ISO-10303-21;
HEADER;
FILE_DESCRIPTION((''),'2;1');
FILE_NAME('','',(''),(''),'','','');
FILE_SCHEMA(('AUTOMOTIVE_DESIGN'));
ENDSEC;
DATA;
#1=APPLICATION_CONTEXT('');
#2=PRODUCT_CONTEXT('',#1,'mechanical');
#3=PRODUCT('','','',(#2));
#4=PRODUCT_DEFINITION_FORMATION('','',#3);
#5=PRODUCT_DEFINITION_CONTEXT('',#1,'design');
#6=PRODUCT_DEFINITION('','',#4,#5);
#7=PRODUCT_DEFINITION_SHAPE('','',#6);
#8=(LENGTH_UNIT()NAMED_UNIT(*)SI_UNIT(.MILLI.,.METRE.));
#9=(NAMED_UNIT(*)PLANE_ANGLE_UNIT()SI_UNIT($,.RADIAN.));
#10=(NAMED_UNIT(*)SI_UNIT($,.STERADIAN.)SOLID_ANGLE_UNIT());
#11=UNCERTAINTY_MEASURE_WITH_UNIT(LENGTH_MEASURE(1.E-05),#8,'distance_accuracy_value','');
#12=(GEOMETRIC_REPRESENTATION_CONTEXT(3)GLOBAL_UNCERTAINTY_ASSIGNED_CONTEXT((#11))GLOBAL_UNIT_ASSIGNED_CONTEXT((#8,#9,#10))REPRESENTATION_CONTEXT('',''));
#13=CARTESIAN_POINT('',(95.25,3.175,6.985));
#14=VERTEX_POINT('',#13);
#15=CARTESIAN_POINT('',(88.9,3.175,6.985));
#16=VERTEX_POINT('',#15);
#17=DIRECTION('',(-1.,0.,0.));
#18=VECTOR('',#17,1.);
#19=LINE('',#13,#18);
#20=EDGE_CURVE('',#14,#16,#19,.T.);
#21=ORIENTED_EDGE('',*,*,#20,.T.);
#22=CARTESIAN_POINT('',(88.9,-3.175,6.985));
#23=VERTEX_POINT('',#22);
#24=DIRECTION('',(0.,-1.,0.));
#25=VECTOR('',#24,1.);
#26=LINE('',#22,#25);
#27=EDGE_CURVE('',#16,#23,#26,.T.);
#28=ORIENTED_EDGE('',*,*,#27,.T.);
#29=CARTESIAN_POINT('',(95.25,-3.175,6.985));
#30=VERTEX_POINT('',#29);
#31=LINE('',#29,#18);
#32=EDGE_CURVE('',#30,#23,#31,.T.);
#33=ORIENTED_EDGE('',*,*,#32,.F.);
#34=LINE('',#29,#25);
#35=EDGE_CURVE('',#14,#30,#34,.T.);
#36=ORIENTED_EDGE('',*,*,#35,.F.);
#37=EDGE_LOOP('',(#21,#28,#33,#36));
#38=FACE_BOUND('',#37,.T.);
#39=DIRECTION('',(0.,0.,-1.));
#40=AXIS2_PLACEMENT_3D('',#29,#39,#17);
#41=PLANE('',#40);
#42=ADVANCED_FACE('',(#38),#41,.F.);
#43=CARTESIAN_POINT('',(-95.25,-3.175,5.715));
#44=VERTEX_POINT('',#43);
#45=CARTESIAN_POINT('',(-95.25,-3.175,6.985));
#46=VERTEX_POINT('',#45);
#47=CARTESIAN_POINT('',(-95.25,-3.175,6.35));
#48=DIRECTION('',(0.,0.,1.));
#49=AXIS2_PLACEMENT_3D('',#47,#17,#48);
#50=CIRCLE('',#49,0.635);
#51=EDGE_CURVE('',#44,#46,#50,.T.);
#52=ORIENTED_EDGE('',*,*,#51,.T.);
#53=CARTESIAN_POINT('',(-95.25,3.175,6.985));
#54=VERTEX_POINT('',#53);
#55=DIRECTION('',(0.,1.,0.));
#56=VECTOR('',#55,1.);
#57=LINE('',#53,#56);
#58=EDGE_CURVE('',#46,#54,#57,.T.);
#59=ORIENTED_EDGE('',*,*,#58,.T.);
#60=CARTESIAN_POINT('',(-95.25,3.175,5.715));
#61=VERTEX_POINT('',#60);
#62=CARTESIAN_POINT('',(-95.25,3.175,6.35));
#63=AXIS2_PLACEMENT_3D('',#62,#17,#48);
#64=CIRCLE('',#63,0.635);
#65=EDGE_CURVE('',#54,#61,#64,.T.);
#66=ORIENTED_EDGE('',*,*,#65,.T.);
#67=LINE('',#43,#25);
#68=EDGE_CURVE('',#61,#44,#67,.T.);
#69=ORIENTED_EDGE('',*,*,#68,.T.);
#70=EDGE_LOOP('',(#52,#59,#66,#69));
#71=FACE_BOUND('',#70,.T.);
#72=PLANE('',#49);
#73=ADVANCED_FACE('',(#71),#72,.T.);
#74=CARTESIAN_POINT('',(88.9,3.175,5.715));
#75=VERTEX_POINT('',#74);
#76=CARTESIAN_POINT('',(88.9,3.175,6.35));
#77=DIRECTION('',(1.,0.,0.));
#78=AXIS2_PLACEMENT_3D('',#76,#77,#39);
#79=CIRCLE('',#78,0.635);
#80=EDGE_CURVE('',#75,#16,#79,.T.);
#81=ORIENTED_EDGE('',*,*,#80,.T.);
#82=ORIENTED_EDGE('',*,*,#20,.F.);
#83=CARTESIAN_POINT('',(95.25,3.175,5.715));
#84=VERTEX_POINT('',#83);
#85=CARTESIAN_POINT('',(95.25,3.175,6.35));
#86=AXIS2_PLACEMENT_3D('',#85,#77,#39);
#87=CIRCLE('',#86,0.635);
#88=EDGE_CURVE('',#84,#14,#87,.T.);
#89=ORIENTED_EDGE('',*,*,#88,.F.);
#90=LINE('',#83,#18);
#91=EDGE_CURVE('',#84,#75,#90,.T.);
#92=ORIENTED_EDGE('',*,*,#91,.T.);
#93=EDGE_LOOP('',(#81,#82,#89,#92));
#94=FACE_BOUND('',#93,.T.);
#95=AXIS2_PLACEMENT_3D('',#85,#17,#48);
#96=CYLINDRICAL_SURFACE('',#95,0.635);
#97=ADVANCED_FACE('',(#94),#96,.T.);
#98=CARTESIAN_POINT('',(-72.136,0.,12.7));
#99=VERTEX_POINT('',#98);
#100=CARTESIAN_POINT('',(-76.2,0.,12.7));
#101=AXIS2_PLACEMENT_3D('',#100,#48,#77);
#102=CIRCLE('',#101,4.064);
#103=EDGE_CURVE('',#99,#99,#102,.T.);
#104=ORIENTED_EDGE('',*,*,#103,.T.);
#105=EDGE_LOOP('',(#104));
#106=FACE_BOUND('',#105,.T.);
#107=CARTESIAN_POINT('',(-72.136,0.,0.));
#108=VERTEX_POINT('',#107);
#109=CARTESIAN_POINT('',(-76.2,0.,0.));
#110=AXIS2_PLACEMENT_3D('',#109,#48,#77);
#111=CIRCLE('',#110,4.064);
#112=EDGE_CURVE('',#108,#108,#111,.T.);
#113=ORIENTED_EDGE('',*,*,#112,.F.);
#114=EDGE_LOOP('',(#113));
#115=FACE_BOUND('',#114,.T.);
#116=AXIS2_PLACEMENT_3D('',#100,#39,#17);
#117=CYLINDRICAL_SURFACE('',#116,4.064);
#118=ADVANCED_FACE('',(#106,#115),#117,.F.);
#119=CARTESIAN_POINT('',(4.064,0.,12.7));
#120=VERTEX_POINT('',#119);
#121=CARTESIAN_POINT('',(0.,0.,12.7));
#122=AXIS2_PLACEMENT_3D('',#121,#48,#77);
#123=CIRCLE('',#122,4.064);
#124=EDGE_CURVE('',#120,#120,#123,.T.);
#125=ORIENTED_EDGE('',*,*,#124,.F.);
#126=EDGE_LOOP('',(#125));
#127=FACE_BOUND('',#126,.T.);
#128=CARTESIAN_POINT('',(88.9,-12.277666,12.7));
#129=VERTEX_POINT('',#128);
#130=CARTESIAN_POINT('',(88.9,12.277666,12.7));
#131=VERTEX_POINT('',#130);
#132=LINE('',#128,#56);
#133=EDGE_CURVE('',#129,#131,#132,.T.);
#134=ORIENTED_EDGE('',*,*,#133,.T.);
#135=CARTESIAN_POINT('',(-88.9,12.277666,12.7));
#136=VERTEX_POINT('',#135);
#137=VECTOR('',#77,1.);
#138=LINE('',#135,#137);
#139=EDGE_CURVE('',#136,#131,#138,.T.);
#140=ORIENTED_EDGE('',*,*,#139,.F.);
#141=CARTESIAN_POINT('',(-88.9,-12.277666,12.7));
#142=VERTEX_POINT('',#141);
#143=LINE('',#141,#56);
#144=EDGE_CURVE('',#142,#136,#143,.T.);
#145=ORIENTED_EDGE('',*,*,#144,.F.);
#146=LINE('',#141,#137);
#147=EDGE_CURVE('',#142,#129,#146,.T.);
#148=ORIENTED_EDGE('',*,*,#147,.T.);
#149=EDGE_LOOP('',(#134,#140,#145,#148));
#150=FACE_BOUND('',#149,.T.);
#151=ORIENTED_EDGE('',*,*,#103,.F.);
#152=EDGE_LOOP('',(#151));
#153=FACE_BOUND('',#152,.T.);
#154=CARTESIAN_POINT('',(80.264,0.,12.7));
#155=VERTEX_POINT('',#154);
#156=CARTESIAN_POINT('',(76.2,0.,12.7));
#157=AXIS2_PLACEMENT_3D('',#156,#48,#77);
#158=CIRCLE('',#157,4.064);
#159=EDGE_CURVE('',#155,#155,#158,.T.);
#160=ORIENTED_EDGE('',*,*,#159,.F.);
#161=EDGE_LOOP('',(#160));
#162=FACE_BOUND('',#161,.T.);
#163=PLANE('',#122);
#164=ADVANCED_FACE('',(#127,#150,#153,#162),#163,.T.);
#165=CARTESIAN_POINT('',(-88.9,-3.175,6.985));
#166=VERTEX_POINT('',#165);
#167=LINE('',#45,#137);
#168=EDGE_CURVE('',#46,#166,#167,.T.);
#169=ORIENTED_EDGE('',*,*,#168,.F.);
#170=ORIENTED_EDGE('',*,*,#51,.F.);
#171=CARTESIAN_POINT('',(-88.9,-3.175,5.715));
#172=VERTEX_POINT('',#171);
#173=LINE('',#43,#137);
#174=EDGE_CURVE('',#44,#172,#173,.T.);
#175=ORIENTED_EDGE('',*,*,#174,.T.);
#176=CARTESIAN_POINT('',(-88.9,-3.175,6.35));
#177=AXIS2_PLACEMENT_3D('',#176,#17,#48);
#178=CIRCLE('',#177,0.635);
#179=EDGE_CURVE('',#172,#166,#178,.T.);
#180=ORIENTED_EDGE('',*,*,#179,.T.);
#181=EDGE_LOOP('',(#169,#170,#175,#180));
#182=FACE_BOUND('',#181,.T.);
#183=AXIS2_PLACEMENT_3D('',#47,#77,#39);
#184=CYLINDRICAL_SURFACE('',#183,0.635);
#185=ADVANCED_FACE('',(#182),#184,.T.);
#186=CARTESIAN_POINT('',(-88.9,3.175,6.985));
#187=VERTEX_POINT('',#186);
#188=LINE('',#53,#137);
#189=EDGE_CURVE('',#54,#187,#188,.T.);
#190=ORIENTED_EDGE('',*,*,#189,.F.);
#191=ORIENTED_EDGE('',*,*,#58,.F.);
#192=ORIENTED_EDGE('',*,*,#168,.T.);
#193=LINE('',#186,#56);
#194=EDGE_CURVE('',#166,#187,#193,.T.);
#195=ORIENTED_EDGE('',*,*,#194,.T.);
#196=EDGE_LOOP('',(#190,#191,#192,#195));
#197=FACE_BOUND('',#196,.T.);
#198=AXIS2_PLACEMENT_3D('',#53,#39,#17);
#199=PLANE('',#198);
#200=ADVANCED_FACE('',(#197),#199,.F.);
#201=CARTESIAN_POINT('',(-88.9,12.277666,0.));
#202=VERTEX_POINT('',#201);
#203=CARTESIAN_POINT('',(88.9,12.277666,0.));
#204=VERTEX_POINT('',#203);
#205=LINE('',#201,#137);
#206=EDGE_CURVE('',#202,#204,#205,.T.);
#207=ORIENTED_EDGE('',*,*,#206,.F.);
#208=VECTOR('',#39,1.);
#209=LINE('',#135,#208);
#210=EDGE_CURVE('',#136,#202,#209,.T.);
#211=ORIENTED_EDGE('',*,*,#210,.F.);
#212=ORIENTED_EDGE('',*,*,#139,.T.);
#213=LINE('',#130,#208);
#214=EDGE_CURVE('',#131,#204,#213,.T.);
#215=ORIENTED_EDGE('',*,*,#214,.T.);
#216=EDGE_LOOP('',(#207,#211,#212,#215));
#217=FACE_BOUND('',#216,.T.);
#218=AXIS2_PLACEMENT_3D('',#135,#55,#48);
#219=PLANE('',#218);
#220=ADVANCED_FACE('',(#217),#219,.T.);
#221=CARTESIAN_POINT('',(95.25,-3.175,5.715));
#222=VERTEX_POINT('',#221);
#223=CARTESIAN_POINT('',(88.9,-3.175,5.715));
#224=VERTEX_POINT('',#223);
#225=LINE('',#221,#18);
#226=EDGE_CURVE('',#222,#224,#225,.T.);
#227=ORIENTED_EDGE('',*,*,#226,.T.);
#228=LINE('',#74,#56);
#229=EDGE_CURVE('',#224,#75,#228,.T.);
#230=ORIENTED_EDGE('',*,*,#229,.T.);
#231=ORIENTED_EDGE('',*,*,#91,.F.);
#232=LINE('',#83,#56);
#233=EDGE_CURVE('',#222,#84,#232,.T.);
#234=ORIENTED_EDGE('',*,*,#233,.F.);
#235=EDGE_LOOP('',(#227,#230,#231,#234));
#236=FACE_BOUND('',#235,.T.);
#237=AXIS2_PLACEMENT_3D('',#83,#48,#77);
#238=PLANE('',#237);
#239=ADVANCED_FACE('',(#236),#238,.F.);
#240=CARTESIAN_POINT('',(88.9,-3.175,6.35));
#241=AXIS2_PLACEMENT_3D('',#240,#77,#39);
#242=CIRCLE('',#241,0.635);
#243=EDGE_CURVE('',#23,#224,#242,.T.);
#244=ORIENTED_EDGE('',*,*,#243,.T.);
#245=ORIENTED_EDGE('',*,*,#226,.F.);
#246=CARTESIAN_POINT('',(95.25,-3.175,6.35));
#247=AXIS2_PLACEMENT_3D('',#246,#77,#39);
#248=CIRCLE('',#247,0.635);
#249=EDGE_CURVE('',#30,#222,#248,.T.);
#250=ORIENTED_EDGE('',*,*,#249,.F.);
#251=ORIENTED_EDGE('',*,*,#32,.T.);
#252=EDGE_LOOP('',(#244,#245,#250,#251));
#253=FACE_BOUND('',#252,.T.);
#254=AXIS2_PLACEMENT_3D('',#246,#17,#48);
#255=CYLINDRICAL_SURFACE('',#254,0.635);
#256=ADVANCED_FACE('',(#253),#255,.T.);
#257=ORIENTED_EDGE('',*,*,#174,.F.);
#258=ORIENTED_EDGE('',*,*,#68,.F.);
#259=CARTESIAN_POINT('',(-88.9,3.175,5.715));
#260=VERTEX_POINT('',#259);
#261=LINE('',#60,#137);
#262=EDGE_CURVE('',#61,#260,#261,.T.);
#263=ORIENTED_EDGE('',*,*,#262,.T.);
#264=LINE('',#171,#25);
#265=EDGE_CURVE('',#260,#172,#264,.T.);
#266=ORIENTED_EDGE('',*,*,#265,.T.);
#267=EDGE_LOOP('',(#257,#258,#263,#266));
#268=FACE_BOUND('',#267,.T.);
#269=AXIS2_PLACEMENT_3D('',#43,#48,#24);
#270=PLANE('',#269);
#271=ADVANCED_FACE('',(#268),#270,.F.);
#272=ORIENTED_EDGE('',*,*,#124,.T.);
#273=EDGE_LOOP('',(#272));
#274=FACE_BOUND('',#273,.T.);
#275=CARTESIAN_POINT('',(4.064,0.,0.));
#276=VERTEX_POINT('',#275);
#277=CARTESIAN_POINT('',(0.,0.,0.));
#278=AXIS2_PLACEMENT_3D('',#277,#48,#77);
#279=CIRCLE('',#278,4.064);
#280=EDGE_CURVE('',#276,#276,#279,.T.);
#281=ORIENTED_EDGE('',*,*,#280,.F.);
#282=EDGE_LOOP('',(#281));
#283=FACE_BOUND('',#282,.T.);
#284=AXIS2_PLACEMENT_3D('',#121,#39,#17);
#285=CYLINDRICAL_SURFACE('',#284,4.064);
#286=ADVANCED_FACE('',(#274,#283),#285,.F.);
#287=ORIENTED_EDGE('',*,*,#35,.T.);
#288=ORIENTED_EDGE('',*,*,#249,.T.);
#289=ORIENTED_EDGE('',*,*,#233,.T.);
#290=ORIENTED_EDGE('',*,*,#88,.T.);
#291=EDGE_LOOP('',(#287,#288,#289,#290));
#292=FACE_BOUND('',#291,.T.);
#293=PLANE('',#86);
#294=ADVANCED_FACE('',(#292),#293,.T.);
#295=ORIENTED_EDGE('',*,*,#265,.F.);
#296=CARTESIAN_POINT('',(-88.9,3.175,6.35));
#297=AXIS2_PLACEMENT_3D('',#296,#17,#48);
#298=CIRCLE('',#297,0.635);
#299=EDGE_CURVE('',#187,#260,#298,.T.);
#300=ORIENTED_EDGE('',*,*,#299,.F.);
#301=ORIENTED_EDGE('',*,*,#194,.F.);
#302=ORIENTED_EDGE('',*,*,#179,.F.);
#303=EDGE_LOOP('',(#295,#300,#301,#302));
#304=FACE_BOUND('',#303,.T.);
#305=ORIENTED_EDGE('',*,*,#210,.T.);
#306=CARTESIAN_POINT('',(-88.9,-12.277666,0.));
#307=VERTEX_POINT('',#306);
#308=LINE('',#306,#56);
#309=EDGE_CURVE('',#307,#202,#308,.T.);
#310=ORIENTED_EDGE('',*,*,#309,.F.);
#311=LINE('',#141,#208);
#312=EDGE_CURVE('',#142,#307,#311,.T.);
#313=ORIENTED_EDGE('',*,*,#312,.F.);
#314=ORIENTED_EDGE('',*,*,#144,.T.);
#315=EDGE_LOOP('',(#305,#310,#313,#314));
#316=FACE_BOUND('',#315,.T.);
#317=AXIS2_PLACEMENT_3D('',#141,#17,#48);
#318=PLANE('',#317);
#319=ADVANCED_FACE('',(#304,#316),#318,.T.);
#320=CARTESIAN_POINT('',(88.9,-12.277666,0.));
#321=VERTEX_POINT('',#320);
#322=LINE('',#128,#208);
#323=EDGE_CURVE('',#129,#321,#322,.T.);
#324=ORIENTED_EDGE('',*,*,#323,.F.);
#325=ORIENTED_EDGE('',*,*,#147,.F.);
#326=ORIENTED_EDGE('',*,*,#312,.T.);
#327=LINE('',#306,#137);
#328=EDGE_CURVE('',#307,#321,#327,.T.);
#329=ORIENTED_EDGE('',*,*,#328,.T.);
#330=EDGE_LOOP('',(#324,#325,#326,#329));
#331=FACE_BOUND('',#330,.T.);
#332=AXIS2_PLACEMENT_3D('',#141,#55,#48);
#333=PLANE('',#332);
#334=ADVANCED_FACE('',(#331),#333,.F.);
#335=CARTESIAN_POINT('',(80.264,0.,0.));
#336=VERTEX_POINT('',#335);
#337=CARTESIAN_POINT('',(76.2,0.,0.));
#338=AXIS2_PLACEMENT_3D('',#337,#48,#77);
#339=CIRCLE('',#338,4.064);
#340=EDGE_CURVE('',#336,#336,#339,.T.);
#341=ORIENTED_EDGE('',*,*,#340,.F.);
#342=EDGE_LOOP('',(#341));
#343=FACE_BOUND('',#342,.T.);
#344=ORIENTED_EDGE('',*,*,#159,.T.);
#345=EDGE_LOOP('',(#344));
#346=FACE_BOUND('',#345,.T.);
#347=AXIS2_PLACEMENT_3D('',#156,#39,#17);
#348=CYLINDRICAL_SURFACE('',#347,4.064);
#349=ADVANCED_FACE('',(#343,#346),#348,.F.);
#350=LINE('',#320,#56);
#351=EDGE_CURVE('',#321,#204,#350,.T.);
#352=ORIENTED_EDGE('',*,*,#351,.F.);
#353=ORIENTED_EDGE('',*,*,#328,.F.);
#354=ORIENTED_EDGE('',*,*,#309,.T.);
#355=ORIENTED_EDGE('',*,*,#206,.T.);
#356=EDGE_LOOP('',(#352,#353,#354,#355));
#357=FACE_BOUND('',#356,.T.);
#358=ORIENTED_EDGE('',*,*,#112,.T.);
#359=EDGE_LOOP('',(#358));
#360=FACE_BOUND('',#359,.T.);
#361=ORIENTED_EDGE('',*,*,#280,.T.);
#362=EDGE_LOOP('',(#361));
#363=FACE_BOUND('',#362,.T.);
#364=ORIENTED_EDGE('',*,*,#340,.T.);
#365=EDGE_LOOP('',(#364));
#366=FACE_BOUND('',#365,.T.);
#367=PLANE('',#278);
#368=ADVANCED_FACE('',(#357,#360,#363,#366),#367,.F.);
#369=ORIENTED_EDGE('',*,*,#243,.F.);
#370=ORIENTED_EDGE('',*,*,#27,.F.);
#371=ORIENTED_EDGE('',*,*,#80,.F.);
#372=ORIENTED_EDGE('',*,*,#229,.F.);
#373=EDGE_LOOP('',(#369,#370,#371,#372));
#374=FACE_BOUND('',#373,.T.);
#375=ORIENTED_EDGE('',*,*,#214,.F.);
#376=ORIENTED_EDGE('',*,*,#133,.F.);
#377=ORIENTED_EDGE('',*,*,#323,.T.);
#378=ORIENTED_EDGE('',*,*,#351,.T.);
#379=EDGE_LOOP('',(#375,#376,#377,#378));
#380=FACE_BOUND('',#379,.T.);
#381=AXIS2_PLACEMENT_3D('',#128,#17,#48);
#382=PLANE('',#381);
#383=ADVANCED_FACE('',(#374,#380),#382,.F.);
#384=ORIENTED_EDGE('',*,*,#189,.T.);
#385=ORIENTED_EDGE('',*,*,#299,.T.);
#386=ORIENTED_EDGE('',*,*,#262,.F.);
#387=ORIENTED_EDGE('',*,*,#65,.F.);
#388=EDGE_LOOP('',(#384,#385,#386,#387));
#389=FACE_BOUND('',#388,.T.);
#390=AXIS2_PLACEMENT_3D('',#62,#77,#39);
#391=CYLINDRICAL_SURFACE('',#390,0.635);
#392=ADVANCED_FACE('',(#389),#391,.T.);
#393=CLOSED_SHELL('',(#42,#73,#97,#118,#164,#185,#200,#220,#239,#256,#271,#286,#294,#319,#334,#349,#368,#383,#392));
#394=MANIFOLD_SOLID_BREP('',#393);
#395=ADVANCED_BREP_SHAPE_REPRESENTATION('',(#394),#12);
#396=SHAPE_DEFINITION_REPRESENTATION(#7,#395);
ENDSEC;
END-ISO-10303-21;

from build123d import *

# Parameters (mm, degrees)
SKETCH1_W           = 177.8
SKETCH1_H           = 24.555331286
SKETCH1_R           = 4.064
BOSS_EXTRUDE1_DEPTH = 12.7
BOSS_EXTRUDE2_DEPTH = 6.35
BOSS_EXTRUDE3_START = 6.35
BOSS_EXTRUDE3_DEPTH = 6.35


with BuildPart() as part:
    # Sketch1 → Boss-Extrude1 (new body)
    with BuildSketch(Plane.XY):
        Rectangle(SKETCH1_W, SKETCH1_H)
        Circle(SKETCH1_R, mode=Mode.SUBTRACT)
        with Locations((-76.2, 0)):
            Circle(SKETCH1_R, mode=Mode.SUBTRACT)
        with Locations((76.2, 0)):
            Circle(SKETCH1_R, mode=Mode.SUBTRACT)
    extrude(amount=BOSS_EXTRUDE1_DEPTH)

    # Sketch2 → Boss-Extrude2 (add)
    with BuildSketch(Plane.ZY.offset(88.9)):
        with BuildLine():
            Line((5.715, -3.175), (5.715, 3.175))
            ThreePointArc((5.715, 3.175), (6.35, 3.81), (6.985, 3.175))
            Line((6.985, 3.175), (6.985, -3.175))
            ThreePointArc((6.985, -3.175), (6.35, -3.81), (5.715, -3.175))
        make_face()
    extrude(amount=BOSS_EXTRUDE2_DEPTH)

    # Sketch3 → Boss-Extrude3 (add)
    with BuildSketch(Plane(origin=(88.9, 0, 0), x_dir=(0, 0, -1), z_dir=(1, 0, 0)).offset(BOSS_EXTRUDE3_START)):
        with BuildLine():
            Line((-5.715, 3.175), (-5.715, -3.175))
            ThreePointArc((-5.715, -3.175), (-6.35, -3.81), (-6.985, -3.175))
            Line((-6.985, -3.175), (-6.985, 3.175))
            ThreePointArc((-6.985, 3.175), (-6.35, 3.81), (-5.715, 3.175))
        make_face()
    extrude(amount=-BOSS_EXTRUDE3_DEPTH)


solid = part.part
